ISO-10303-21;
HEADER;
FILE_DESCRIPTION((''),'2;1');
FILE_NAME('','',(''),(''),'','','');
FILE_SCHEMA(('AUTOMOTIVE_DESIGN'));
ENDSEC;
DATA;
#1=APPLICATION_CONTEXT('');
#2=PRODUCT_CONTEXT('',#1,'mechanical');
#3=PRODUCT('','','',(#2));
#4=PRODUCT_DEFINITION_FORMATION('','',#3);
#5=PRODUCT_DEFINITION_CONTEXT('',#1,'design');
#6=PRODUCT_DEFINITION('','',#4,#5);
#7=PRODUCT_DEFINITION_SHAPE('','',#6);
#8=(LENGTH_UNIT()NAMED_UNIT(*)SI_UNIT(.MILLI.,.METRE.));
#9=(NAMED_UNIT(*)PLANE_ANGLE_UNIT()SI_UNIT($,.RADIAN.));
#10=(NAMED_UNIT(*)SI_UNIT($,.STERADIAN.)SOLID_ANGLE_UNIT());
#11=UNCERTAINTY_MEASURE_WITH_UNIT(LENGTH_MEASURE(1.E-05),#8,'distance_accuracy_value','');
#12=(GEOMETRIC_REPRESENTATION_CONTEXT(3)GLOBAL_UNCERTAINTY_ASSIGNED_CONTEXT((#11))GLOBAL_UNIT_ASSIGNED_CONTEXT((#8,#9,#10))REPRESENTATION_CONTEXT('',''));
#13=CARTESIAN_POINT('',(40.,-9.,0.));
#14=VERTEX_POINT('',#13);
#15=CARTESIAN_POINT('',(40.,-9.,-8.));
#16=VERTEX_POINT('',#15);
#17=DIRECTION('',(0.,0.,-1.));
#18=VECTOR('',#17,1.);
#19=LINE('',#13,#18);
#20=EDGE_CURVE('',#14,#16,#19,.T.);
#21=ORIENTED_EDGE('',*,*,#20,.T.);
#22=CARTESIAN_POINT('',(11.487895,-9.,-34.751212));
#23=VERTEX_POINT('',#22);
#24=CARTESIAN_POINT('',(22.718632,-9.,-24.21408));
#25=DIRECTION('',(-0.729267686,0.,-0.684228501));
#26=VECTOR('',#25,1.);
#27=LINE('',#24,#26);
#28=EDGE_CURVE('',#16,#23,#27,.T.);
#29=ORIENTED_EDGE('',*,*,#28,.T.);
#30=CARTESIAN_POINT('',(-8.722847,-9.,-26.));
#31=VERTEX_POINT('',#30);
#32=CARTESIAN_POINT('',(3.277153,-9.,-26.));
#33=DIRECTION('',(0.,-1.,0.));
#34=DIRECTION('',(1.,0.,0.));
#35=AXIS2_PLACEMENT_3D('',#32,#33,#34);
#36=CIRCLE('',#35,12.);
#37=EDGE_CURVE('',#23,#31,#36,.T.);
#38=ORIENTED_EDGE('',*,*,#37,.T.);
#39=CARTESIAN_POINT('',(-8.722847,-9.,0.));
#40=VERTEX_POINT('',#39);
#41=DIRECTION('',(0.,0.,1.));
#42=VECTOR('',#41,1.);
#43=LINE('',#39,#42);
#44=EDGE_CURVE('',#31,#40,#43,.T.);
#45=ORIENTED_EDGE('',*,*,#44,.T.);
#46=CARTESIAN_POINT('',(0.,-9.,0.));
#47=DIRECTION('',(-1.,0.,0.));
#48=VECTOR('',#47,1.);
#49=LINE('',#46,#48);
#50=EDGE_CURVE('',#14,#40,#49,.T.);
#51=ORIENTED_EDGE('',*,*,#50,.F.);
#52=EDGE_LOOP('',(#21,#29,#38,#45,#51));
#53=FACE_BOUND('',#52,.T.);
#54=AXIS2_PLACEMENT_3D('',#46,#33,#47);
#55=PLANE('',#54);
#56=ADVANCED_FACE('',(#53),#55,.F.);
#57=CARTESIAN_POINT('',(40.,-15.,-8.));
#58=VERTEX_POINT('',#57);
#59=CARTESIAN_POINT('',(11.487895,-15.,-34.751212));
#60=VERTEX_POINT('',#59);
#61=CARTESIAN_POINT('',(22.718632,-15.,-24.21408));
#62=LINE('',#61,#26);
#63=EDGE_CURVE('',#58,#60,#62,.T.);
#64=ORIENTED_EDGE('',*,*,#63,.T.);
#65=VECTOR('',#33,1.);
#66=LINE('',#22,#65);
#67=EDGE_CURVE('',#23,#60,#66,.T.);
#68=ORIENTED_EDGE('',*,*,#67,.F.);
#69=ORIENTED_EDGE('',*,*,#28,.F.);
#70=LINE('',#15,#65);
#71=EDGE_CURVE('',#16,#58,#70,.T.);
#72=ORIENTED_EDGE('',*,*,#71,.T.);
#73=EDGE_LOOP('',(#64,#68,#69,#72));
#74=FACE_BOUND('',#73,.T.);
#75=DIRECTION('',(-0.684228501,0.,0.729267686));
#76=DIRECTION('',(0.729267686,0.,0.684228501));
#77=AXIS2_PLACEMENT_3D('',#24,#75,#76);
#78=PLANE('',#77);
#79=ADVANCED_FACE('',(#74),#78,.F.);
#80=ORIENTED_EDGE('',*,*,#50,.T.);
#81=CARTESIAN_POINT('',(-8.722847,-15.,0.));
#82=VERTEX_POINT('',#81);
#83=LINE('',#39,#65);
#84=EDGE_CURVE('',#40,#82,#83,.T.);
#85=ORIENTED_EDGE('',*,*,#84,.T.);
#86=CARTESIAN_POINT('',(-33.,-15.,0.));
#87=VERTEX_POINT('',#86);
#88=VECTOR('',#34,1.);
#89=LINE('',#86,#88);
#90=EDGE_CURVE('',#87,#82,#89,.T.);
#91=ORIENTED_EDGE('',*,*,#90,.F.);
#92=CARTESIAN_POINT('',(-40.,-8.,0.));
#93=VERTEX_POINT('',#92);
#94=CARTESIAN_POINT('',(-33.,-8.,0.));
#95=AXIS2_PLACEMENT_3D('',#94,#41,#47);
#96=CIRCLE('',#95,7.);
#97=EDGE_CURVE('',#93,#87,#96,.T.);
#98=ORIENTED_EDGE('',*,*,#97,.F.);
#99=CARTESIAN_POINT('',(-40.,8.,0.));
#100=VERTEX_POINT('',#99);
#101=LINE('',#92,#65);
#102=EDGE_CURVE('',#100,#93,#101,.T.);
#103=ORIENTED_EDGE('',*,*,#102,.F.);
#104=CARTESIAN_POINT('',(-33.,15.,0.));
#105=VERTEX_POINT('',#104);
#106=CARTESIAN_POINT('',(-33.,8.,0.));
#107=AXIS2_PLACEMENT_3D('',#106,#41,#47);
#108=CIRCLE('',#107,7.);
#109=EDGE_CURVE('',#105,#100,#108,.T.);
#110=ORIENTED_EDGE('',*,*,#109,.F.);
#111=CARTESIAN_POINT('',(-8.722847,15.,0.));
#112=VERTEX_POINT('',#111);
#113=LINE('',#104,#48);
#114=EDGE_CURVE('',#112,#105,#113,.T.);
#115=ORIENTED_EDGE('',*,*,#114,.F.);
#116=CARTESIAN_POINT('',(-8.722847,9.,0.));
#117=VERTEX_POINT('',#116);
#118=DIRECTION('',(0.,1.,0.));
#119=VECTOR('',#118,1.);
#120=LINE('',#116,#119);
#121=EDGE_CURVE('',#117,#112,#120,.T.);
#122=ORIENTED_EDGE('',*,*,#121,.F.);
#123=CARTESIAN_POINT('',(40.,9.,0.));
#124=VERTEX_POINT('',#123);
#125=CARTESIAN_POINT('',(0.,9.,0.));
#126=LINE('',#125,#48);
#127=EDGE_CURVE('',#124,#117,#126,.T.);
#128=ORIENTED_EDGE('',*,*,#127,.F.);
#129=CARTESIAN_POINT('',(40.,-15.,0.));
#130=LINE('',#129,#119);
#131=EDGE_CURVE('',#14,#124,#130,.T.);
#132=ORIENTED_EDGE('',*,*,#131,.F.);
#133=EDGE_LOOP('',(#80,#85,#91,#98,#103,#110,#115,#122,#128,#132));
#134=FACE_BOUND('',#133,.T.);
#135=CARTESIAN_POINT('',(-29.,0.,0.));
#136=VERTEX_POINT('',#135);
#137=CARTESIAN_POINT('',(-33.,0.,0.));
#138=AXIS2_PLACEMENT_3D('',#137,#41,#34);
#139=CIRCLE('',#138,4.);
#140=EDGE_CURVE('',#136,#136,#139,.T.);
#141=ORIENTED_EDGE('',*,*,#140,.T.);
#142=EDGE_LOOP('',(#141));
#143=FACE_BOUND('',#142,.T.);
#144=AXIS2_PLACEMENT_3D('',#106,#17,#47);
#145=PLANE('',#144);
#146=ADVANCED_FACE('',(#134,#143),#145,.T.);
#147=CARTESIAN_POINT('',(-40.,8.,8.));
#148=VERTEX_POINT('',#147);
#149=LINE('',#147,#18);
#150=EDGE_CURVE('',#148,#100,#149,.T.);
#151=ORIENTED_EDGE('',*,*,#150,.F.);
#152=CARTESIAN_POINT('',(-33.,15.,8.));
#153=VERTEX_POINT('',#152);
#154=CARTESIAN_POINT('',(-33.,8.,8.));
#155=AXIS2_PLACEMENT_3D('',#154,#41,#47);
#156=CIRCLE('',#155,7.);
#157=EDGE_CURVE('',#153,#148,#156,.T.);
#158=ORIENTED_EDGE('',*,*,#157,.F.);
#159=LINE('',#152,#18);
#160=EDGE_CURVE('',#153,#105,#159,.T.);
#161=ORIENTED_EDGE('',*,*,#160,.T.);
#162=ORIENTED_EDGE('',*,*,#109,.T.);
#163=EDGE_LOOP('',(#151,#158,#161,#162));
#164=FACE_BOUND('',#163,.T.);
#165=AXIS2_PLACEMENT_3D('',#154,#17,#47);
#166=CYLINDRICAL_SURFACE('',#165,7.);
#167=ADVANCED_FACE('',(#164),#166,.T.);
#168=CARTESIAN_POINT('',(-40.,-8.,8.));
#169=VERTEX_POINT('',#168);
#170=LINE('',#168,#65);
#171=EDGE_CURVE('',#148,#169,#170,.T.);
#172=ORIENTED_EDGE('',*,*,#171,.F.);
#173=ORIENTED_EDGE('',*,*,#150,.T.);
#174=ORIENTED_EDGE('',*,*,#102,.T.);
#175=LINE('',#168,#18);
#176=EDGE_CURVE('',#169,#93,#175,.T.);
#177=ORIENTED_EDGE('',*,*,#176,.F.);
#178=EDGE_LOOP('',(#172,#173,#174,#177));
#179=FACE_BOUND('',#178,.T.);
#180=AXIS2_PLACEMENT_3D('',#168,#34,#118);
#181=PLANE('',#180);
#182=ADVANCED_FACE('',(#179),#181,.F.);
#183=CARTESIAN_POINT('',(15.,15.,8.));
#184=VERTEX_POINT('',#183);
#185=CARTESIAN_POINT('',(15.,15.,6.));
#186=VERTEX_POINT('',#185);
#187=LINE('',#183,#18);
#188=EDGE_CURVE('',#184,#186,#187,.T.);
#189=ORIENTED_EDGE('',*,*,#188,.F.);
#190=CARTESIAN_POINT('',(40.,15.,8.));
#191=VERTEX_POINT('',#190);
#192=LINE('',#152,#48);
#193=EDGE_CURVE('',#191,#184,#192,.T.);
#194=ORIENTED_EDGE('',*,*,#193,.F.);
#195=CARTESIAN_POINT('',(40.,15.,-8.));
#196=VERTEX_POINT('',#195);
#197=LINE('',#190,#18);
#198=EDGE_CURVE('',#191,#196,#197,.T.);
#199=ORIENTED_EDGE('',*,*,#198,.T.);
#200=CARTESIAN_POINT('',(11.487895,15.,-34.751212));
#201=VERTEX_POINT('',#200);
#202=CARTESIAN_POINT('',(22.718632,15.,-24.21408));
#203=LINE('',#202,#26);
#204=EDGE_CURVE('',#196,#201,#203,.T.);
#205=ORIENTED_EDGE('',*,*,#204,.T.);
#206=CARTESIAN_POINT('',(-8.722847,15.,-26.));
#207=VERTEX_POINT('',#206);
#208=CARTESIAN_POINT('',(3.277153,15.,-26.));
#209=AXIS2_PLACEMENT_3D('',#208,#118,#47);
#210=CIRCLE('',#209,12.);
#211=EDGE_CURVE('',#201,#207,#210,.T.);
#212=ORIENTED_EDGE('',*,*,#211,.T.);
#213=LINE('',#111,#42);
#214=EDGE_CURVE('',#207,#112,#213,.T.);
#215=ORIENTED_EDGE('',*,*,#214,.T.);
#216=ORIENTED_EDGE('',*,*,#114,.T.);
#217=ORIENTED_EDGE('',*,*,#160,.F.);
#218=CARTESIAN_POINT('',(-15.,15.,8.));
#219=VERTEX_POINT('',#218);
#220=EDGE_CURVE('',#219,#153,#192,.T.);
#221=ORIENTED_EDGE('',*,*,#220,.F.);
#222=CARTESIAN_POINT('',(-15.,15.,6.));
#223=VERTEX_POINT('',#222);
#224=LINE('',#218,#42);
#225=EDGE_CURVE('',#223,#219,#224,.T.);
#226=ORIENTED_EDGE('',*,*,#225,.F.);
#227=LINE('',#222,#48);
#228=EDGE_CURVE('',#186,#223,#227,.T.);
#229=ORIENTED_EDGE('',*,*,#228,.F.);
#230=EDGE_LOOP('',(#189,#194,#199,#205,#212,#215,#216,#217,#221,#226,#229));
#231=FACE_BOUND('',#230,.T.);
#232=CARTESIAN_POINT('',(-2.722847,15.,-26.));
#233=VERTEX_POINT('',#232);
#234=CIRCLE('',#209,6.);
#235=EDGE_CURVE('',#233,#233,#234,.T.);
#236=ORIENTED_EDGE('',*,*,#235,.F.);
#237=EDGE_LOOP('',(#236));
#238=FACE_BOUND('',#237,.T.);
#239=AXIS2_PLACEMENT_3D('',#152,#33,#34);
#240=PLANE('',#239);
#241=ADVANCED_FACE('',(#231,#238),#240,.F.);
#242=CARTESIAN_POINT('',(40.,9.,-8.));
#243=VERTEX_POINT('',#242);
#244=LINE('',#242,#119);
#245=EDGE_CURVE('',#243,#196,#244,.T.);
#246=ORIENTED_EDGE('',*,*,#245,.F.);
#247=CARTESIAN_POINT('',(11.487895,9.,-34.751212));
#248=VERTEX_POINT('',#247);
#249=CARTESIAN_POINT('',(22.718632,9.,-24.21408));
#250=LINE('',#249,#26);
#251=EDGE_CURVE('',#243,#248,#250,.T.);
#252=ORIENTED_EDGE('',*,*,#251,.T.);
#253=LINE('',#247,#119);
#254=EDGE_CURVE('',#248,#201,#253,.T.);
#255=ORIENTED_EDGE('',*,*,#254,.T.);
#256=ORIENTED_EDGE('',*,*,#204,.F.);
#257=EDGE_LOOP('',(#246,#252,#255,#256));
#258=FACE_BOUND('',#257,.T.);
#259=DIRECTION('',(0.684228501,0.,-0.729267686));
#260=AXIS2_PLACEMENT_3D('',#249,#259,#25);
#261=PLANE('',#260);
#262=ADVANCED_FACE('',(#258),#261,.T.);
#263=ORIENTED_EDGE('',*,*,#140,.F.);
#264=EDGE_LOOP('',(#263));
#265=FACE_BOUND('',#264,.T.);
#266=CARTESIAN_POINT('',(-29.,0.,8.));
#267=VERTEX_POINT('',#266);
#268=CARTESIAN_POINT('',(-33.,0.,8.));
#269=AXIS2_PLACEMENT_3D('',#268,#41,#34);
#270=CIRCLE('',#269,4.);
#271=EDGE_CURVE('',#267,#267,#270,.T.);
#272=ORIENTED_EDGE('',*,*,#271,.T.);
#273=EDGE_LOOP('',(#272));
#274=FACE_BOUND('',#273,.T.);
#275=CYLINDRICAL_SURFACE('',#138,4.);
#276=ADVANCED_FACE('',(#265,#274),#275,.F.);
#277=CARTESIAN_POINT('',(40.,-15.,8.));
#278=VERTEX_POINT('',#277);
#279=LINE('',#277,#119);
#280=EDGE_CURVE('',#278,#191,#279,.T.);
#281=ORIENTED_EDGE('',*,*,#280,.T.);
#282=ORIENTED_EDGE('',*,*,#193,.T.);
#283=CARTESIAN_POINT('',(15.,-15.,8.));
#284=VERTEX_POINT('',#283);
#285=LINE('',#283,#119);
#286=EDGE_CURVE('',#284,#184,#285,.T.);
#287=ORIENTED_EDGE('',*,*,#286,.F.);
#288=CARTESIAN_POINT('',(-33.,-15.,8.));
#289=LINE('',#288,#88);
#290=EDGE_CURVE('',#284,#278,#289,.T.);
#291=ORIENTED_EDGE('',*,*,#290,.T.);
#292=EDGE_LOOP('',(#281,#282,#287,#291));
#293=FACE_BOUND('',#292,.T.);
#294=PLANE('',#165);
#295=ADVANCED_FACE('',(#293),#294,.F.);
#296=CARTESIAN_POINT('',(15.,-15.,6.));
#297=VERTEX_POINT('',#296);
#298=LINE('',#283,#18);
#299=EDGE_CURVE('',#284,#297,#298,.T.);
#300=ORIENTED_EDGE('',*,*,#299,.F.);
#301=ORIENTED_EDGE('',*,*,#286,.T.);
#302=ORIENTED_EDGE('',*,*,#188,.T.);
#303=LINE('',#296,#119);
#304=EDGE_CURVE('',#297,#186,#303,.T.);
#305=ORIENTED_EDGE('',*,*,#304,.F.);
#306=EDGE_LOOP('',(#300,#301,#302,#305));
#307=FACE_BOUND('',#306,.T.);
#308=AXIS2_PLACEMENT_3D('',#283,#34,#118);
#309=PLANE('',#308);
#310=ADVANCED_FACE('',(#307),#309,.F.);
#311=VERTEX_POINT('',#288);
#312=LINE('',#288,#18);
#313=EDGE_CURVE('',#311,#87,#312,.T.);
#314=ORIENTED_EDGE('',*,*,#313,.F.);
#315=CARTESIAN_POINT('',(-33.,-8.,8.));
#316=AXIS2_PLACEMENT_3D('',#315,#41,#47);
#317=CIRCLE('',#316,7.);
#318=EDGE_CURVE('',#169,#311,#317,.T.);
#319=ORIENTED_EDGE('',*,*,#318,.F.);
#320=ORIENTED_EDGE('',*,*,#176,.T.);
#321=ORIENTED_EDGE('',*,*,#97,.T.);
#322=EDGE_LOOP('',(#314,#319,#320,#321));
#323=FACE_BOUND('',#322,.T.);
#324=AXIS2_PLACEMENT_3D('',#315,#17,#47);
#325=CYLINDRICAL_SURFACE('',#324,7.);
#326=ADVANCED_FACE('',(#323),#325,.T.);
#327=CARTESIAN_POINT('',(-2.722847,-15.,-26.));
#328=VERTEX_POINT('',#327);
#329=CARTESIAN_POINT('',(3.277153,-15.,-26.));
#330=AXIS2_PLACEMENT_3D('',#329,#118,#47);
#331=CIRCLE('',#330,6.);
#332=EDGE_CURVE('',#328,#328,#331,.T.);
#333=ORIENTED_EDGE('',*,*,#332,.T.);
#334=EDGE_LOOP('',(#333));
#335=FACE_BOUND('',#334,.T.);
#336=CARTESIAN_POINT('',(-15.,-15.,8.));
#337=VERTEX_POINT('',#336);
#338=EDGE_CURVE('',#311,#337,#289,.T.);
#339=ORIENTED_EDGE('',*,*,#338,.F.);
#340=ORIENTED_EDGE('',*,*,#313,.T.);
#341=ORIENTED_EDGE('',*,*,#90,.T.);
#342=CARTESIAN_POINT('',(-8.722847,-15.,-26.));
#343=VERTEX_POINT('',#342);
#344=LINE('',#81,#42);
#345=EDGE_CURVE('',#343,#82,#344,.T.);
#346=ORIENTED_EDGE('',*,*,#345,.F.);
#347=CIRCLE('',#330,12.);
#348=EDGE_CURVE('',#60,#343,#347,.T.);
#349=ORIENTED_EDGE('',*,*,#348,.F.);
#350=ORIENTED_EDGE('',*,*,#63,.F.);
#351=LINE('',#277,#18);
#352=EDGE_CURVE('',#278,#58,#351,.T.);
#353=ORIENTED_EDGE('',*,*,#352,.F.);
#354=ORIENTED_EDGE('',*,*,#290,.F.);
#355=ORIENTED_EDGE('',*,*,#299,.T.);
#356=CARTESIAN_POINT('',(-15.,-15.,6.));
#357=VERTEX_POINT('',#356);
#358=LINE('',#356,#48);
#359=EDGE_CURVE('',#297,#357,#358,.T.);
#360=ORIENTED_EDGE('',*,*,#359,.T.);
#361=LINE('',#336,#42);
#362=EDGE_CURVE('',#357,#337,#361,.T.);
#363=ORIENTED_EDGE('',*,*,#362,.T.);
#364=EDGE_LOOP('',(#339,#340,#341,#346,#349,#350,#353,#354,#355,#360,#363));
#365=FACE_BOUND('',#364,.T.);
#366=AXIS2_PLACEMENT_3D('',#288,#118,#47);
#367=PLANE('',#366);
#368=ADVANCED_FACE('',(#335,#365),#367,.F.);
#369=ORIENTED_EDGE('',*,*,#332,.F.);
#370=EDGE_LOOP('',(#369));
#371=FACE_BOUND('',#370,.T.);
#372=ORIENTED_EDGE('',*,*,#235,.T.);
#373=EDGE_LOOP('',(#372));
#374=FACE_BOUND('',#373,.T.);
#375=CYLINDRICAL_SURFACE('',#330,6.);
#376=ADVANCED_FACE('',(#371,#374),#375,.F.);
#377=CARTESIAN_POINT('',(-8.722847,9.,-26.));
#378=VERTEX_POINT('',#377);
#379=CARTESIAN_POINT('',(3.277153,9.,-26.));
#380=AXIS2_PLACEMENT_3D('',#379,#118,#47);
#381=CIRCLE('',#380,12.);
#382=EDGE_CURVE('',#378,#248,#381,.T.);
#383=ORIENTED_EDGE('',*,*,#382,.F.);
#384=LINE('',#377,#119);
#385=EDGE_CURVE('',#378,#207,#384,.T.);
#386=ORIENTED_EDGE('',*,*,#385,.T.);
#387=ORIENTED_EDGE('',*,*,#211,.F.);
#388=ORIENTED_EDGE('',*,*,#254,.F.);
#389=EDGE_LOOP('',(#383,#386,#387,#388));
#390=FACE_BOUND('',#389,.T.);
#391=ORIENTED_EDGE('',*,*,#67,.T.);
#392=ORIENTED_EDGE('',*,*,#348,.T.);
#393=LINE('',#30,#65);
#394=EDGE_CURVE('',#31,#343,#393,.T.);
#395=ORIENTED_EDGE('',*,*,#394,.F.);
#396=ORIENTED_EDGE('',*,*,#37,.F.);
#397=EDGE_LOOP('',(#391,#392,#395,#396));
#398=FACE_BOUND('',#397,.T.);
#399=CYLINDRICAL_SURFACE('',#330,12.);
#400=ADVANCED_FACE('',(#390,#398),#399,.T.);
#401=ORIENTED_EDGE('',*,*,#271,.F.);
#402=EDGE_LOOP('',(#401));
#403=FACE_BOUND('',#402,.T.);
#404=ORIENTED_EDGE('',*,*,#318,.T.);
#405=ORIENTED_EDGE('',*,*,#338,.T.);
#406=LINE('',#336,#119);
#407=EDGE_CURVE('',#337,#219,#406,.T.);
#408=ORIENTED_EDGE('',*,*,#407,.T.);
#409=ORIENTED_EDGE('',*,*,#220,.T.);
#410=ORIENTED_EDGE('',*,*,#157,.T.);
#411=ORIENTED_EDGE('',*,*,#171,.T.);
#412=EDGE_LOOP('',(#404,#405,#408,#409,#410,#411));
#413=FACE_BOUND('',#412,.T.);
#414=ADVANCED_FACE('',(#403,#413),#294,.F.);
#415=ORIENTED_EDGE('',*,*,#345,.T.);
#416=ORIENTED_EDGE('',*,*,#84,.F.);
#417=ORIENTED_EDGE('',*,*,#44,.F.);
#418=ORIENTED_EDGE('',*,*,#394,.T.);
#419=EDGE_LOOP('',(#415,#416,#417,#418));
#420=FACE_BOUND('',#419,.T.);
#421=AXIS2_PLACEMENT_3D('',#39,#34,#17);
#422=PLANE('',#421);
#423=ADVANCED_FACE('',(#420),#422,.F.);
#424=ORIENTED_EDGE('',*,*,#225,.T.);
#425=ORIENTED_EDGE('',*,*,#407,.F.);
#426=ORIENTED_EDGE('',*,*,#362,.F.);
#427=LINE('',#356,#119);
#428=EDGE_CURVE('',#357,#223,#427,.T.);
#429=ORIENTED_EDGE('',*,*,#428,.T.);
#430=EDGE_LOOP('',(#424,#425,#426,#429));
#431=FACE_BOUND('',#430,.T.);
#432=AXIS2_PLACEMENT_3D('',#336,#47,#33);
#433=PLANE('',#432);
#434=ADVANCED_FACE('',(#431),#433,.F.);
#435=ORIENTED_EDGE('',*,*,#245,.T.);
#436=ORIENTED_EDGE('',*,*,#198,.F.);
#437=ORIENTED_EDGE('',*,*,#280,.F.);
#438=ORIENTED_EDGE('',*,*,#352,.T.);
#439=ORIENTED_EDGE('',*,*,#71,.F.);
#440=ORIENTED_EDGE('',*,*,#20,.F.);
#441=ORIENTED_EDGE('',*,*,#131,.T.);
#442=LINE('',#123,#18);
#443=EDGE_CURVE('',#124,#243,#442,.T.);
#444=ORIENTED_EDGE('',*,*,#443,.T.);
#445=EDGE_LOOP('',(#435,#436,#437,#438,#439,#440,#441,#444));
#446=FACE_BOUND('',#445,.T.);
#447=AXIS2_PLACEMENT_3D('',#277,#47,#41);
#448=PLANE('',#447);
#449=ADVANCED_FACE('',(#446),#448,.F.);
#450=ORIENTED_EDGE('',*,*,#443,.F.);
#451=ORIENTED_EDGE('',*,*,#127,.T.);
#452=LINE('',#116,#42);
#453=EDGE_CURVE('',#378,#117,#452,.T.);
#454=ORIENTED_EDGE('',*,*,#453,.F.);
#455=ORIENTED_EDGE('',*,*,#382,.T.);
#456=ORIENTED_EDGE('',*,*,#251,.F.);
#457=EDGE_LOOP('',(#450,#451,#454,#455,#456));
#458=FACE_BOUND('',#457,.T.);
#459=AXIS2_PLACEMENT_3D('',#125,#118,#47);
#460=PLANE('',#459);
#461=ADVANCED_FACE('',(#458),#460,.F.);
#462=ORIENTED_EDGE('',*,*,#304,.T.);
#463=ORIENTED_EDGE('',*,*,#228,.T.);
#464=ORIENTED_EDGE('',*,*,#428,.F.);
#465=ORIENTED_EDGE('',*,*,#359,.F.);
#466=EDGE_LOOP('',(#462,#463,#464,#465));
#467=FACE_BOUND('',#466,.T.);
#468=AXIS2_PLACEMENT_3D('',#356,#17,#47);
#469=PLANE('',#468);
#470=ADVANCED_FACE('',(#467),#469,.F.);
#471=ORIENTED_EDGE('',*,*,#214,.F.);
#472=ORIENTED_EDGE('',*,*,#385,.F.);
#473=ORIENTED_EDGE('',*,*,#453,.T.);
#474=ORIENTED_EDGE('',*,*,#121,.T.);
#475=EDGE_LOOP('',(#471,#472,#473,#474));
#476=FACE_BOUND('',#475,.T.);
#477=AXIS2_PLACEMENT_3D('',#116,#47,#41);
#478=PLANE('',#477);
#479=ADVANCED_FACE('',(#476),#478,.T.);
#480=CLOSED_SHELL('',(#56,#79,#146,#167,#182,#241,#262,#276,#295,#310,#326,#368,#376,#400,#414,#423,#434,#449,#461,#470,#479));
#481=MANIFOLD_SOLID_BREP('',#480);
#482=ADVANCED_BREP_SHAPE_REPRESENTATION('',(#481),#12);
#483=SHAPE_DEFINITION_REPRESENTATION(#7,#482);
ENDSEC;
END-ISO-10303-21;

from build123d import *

# Parameters (mm, degrees)
BOSS_EXTRUDE1_DEPTH = 8
SKETCH2_R           = 4
CUT_EXTRUDE1_DEPTH  = 44.462627624
BOSS_EXTRUDE2_DEPTH = 6
SKETCH5_R           = 12
BOSS_EXTRUDE3_DEPTH = 30
SKETCH8_R           = 6
CUT_EXTRUDE2_DEPTH  = 63.801273872
SKETCH9_W           = 30
SKETCH9_H           = 2
CUT_EXTRUDE3_DEPTH  = 63.801273872


with BuildPart() as part:
    # Sketch1 → Boss-Extrude1 (new body)
    with BuildSketch(Plane.XY):
        with BuildLine():
            Line((-33, -15), (40, -15))
            Line((40, -15), (40, 15))
            Line((40, 15), (-33, 15))
            ThreePointArc((-33, 15), (-37.949747468, 12.949747468), (-40, 8))
            Line((-40, 8), (-40, -8))
            ThreePointArc((-40, -8), (-37.949747468, -12.949747468), (-33, -15))
        make_face()
    extrude(amount=BOSS_EXTRUDE1_DEPTH)

    # Sketch2 → Cut-Extrude1 (cut, through all)
    with BuildSketch(Plane.XY.offset(8)):
        with Locations((-33, 0)):
            Circle(SKETCH2_R)
    extrude(amount=-CUT_EXTRUDE1_DEPTH, mode=Mode.SUBTRACT)

    # Sketch3 → Boss-Extrude2 (add)
    with BuildSketch(Plane(origin=(0, 15, 0), x_dir=(1, 0, 0), z_dir=(0, 1, 0))):
        Polygon((-8.722846682, 0), (40, 0), (40, 8), (20.815154113, 26), (-8.722846682, 26), align=None)
        Polygon((-8.722846682, 26), (20.815154113, 26), (11.487895334, 34.751212233), align=None)
    boss_extrude2 = extrude(amount=-BOSS_EXTRUDE2_DEPTH)

    # Mirror1: Boss-Extrude2 across plane
    add(boss_extrude2.mirror(Plane.ZX))

    # Sketch5 → Boss-Extrude3 (add, through all)
    with BuildSketch(Plane(origin=(0, 15, 0), x_dir=(1, 0, 0), z_dir=(0, 1, 0))):
        with Locations(Location((3.277153318, 26, 0), (0, 0, 180))):
            Circle(SKETCH5_R)
    extrude(amount=-BOSS_EXTRUDE3_DEPTH)

    # Sketch8 → Cut-Extrude2 (cut, through all)
    with BuildSketch(Plane(origin=(0, 15, 0), x_dir=(1, 0, 0), z_dir=(0, 1, 0))):
        with Locations(Location((3.277153318, 26, 0), (0, 0, 180))):
            Circle(SKETCH8_R)
    extrude(amount=-CUT_EXTRUDE2_DEPTH, mode=Mode.SUBTRACT)

    # Sketch9 → Cut-Extrude3 (cut, through all)
    with BuildSketch(Plane(origin=(0, 15, 0), x_dir=(1, 0, 0), z_dir=(0, 1, 0))):
        with Locations((0, -7)):
            Rectangle(SKETCH9_W, SKETCH9_H)
    extrude(amount=-CUT_EXTRUDE3_DEPTH, mode=Mode.SUBTRACT)


solid = part.part
